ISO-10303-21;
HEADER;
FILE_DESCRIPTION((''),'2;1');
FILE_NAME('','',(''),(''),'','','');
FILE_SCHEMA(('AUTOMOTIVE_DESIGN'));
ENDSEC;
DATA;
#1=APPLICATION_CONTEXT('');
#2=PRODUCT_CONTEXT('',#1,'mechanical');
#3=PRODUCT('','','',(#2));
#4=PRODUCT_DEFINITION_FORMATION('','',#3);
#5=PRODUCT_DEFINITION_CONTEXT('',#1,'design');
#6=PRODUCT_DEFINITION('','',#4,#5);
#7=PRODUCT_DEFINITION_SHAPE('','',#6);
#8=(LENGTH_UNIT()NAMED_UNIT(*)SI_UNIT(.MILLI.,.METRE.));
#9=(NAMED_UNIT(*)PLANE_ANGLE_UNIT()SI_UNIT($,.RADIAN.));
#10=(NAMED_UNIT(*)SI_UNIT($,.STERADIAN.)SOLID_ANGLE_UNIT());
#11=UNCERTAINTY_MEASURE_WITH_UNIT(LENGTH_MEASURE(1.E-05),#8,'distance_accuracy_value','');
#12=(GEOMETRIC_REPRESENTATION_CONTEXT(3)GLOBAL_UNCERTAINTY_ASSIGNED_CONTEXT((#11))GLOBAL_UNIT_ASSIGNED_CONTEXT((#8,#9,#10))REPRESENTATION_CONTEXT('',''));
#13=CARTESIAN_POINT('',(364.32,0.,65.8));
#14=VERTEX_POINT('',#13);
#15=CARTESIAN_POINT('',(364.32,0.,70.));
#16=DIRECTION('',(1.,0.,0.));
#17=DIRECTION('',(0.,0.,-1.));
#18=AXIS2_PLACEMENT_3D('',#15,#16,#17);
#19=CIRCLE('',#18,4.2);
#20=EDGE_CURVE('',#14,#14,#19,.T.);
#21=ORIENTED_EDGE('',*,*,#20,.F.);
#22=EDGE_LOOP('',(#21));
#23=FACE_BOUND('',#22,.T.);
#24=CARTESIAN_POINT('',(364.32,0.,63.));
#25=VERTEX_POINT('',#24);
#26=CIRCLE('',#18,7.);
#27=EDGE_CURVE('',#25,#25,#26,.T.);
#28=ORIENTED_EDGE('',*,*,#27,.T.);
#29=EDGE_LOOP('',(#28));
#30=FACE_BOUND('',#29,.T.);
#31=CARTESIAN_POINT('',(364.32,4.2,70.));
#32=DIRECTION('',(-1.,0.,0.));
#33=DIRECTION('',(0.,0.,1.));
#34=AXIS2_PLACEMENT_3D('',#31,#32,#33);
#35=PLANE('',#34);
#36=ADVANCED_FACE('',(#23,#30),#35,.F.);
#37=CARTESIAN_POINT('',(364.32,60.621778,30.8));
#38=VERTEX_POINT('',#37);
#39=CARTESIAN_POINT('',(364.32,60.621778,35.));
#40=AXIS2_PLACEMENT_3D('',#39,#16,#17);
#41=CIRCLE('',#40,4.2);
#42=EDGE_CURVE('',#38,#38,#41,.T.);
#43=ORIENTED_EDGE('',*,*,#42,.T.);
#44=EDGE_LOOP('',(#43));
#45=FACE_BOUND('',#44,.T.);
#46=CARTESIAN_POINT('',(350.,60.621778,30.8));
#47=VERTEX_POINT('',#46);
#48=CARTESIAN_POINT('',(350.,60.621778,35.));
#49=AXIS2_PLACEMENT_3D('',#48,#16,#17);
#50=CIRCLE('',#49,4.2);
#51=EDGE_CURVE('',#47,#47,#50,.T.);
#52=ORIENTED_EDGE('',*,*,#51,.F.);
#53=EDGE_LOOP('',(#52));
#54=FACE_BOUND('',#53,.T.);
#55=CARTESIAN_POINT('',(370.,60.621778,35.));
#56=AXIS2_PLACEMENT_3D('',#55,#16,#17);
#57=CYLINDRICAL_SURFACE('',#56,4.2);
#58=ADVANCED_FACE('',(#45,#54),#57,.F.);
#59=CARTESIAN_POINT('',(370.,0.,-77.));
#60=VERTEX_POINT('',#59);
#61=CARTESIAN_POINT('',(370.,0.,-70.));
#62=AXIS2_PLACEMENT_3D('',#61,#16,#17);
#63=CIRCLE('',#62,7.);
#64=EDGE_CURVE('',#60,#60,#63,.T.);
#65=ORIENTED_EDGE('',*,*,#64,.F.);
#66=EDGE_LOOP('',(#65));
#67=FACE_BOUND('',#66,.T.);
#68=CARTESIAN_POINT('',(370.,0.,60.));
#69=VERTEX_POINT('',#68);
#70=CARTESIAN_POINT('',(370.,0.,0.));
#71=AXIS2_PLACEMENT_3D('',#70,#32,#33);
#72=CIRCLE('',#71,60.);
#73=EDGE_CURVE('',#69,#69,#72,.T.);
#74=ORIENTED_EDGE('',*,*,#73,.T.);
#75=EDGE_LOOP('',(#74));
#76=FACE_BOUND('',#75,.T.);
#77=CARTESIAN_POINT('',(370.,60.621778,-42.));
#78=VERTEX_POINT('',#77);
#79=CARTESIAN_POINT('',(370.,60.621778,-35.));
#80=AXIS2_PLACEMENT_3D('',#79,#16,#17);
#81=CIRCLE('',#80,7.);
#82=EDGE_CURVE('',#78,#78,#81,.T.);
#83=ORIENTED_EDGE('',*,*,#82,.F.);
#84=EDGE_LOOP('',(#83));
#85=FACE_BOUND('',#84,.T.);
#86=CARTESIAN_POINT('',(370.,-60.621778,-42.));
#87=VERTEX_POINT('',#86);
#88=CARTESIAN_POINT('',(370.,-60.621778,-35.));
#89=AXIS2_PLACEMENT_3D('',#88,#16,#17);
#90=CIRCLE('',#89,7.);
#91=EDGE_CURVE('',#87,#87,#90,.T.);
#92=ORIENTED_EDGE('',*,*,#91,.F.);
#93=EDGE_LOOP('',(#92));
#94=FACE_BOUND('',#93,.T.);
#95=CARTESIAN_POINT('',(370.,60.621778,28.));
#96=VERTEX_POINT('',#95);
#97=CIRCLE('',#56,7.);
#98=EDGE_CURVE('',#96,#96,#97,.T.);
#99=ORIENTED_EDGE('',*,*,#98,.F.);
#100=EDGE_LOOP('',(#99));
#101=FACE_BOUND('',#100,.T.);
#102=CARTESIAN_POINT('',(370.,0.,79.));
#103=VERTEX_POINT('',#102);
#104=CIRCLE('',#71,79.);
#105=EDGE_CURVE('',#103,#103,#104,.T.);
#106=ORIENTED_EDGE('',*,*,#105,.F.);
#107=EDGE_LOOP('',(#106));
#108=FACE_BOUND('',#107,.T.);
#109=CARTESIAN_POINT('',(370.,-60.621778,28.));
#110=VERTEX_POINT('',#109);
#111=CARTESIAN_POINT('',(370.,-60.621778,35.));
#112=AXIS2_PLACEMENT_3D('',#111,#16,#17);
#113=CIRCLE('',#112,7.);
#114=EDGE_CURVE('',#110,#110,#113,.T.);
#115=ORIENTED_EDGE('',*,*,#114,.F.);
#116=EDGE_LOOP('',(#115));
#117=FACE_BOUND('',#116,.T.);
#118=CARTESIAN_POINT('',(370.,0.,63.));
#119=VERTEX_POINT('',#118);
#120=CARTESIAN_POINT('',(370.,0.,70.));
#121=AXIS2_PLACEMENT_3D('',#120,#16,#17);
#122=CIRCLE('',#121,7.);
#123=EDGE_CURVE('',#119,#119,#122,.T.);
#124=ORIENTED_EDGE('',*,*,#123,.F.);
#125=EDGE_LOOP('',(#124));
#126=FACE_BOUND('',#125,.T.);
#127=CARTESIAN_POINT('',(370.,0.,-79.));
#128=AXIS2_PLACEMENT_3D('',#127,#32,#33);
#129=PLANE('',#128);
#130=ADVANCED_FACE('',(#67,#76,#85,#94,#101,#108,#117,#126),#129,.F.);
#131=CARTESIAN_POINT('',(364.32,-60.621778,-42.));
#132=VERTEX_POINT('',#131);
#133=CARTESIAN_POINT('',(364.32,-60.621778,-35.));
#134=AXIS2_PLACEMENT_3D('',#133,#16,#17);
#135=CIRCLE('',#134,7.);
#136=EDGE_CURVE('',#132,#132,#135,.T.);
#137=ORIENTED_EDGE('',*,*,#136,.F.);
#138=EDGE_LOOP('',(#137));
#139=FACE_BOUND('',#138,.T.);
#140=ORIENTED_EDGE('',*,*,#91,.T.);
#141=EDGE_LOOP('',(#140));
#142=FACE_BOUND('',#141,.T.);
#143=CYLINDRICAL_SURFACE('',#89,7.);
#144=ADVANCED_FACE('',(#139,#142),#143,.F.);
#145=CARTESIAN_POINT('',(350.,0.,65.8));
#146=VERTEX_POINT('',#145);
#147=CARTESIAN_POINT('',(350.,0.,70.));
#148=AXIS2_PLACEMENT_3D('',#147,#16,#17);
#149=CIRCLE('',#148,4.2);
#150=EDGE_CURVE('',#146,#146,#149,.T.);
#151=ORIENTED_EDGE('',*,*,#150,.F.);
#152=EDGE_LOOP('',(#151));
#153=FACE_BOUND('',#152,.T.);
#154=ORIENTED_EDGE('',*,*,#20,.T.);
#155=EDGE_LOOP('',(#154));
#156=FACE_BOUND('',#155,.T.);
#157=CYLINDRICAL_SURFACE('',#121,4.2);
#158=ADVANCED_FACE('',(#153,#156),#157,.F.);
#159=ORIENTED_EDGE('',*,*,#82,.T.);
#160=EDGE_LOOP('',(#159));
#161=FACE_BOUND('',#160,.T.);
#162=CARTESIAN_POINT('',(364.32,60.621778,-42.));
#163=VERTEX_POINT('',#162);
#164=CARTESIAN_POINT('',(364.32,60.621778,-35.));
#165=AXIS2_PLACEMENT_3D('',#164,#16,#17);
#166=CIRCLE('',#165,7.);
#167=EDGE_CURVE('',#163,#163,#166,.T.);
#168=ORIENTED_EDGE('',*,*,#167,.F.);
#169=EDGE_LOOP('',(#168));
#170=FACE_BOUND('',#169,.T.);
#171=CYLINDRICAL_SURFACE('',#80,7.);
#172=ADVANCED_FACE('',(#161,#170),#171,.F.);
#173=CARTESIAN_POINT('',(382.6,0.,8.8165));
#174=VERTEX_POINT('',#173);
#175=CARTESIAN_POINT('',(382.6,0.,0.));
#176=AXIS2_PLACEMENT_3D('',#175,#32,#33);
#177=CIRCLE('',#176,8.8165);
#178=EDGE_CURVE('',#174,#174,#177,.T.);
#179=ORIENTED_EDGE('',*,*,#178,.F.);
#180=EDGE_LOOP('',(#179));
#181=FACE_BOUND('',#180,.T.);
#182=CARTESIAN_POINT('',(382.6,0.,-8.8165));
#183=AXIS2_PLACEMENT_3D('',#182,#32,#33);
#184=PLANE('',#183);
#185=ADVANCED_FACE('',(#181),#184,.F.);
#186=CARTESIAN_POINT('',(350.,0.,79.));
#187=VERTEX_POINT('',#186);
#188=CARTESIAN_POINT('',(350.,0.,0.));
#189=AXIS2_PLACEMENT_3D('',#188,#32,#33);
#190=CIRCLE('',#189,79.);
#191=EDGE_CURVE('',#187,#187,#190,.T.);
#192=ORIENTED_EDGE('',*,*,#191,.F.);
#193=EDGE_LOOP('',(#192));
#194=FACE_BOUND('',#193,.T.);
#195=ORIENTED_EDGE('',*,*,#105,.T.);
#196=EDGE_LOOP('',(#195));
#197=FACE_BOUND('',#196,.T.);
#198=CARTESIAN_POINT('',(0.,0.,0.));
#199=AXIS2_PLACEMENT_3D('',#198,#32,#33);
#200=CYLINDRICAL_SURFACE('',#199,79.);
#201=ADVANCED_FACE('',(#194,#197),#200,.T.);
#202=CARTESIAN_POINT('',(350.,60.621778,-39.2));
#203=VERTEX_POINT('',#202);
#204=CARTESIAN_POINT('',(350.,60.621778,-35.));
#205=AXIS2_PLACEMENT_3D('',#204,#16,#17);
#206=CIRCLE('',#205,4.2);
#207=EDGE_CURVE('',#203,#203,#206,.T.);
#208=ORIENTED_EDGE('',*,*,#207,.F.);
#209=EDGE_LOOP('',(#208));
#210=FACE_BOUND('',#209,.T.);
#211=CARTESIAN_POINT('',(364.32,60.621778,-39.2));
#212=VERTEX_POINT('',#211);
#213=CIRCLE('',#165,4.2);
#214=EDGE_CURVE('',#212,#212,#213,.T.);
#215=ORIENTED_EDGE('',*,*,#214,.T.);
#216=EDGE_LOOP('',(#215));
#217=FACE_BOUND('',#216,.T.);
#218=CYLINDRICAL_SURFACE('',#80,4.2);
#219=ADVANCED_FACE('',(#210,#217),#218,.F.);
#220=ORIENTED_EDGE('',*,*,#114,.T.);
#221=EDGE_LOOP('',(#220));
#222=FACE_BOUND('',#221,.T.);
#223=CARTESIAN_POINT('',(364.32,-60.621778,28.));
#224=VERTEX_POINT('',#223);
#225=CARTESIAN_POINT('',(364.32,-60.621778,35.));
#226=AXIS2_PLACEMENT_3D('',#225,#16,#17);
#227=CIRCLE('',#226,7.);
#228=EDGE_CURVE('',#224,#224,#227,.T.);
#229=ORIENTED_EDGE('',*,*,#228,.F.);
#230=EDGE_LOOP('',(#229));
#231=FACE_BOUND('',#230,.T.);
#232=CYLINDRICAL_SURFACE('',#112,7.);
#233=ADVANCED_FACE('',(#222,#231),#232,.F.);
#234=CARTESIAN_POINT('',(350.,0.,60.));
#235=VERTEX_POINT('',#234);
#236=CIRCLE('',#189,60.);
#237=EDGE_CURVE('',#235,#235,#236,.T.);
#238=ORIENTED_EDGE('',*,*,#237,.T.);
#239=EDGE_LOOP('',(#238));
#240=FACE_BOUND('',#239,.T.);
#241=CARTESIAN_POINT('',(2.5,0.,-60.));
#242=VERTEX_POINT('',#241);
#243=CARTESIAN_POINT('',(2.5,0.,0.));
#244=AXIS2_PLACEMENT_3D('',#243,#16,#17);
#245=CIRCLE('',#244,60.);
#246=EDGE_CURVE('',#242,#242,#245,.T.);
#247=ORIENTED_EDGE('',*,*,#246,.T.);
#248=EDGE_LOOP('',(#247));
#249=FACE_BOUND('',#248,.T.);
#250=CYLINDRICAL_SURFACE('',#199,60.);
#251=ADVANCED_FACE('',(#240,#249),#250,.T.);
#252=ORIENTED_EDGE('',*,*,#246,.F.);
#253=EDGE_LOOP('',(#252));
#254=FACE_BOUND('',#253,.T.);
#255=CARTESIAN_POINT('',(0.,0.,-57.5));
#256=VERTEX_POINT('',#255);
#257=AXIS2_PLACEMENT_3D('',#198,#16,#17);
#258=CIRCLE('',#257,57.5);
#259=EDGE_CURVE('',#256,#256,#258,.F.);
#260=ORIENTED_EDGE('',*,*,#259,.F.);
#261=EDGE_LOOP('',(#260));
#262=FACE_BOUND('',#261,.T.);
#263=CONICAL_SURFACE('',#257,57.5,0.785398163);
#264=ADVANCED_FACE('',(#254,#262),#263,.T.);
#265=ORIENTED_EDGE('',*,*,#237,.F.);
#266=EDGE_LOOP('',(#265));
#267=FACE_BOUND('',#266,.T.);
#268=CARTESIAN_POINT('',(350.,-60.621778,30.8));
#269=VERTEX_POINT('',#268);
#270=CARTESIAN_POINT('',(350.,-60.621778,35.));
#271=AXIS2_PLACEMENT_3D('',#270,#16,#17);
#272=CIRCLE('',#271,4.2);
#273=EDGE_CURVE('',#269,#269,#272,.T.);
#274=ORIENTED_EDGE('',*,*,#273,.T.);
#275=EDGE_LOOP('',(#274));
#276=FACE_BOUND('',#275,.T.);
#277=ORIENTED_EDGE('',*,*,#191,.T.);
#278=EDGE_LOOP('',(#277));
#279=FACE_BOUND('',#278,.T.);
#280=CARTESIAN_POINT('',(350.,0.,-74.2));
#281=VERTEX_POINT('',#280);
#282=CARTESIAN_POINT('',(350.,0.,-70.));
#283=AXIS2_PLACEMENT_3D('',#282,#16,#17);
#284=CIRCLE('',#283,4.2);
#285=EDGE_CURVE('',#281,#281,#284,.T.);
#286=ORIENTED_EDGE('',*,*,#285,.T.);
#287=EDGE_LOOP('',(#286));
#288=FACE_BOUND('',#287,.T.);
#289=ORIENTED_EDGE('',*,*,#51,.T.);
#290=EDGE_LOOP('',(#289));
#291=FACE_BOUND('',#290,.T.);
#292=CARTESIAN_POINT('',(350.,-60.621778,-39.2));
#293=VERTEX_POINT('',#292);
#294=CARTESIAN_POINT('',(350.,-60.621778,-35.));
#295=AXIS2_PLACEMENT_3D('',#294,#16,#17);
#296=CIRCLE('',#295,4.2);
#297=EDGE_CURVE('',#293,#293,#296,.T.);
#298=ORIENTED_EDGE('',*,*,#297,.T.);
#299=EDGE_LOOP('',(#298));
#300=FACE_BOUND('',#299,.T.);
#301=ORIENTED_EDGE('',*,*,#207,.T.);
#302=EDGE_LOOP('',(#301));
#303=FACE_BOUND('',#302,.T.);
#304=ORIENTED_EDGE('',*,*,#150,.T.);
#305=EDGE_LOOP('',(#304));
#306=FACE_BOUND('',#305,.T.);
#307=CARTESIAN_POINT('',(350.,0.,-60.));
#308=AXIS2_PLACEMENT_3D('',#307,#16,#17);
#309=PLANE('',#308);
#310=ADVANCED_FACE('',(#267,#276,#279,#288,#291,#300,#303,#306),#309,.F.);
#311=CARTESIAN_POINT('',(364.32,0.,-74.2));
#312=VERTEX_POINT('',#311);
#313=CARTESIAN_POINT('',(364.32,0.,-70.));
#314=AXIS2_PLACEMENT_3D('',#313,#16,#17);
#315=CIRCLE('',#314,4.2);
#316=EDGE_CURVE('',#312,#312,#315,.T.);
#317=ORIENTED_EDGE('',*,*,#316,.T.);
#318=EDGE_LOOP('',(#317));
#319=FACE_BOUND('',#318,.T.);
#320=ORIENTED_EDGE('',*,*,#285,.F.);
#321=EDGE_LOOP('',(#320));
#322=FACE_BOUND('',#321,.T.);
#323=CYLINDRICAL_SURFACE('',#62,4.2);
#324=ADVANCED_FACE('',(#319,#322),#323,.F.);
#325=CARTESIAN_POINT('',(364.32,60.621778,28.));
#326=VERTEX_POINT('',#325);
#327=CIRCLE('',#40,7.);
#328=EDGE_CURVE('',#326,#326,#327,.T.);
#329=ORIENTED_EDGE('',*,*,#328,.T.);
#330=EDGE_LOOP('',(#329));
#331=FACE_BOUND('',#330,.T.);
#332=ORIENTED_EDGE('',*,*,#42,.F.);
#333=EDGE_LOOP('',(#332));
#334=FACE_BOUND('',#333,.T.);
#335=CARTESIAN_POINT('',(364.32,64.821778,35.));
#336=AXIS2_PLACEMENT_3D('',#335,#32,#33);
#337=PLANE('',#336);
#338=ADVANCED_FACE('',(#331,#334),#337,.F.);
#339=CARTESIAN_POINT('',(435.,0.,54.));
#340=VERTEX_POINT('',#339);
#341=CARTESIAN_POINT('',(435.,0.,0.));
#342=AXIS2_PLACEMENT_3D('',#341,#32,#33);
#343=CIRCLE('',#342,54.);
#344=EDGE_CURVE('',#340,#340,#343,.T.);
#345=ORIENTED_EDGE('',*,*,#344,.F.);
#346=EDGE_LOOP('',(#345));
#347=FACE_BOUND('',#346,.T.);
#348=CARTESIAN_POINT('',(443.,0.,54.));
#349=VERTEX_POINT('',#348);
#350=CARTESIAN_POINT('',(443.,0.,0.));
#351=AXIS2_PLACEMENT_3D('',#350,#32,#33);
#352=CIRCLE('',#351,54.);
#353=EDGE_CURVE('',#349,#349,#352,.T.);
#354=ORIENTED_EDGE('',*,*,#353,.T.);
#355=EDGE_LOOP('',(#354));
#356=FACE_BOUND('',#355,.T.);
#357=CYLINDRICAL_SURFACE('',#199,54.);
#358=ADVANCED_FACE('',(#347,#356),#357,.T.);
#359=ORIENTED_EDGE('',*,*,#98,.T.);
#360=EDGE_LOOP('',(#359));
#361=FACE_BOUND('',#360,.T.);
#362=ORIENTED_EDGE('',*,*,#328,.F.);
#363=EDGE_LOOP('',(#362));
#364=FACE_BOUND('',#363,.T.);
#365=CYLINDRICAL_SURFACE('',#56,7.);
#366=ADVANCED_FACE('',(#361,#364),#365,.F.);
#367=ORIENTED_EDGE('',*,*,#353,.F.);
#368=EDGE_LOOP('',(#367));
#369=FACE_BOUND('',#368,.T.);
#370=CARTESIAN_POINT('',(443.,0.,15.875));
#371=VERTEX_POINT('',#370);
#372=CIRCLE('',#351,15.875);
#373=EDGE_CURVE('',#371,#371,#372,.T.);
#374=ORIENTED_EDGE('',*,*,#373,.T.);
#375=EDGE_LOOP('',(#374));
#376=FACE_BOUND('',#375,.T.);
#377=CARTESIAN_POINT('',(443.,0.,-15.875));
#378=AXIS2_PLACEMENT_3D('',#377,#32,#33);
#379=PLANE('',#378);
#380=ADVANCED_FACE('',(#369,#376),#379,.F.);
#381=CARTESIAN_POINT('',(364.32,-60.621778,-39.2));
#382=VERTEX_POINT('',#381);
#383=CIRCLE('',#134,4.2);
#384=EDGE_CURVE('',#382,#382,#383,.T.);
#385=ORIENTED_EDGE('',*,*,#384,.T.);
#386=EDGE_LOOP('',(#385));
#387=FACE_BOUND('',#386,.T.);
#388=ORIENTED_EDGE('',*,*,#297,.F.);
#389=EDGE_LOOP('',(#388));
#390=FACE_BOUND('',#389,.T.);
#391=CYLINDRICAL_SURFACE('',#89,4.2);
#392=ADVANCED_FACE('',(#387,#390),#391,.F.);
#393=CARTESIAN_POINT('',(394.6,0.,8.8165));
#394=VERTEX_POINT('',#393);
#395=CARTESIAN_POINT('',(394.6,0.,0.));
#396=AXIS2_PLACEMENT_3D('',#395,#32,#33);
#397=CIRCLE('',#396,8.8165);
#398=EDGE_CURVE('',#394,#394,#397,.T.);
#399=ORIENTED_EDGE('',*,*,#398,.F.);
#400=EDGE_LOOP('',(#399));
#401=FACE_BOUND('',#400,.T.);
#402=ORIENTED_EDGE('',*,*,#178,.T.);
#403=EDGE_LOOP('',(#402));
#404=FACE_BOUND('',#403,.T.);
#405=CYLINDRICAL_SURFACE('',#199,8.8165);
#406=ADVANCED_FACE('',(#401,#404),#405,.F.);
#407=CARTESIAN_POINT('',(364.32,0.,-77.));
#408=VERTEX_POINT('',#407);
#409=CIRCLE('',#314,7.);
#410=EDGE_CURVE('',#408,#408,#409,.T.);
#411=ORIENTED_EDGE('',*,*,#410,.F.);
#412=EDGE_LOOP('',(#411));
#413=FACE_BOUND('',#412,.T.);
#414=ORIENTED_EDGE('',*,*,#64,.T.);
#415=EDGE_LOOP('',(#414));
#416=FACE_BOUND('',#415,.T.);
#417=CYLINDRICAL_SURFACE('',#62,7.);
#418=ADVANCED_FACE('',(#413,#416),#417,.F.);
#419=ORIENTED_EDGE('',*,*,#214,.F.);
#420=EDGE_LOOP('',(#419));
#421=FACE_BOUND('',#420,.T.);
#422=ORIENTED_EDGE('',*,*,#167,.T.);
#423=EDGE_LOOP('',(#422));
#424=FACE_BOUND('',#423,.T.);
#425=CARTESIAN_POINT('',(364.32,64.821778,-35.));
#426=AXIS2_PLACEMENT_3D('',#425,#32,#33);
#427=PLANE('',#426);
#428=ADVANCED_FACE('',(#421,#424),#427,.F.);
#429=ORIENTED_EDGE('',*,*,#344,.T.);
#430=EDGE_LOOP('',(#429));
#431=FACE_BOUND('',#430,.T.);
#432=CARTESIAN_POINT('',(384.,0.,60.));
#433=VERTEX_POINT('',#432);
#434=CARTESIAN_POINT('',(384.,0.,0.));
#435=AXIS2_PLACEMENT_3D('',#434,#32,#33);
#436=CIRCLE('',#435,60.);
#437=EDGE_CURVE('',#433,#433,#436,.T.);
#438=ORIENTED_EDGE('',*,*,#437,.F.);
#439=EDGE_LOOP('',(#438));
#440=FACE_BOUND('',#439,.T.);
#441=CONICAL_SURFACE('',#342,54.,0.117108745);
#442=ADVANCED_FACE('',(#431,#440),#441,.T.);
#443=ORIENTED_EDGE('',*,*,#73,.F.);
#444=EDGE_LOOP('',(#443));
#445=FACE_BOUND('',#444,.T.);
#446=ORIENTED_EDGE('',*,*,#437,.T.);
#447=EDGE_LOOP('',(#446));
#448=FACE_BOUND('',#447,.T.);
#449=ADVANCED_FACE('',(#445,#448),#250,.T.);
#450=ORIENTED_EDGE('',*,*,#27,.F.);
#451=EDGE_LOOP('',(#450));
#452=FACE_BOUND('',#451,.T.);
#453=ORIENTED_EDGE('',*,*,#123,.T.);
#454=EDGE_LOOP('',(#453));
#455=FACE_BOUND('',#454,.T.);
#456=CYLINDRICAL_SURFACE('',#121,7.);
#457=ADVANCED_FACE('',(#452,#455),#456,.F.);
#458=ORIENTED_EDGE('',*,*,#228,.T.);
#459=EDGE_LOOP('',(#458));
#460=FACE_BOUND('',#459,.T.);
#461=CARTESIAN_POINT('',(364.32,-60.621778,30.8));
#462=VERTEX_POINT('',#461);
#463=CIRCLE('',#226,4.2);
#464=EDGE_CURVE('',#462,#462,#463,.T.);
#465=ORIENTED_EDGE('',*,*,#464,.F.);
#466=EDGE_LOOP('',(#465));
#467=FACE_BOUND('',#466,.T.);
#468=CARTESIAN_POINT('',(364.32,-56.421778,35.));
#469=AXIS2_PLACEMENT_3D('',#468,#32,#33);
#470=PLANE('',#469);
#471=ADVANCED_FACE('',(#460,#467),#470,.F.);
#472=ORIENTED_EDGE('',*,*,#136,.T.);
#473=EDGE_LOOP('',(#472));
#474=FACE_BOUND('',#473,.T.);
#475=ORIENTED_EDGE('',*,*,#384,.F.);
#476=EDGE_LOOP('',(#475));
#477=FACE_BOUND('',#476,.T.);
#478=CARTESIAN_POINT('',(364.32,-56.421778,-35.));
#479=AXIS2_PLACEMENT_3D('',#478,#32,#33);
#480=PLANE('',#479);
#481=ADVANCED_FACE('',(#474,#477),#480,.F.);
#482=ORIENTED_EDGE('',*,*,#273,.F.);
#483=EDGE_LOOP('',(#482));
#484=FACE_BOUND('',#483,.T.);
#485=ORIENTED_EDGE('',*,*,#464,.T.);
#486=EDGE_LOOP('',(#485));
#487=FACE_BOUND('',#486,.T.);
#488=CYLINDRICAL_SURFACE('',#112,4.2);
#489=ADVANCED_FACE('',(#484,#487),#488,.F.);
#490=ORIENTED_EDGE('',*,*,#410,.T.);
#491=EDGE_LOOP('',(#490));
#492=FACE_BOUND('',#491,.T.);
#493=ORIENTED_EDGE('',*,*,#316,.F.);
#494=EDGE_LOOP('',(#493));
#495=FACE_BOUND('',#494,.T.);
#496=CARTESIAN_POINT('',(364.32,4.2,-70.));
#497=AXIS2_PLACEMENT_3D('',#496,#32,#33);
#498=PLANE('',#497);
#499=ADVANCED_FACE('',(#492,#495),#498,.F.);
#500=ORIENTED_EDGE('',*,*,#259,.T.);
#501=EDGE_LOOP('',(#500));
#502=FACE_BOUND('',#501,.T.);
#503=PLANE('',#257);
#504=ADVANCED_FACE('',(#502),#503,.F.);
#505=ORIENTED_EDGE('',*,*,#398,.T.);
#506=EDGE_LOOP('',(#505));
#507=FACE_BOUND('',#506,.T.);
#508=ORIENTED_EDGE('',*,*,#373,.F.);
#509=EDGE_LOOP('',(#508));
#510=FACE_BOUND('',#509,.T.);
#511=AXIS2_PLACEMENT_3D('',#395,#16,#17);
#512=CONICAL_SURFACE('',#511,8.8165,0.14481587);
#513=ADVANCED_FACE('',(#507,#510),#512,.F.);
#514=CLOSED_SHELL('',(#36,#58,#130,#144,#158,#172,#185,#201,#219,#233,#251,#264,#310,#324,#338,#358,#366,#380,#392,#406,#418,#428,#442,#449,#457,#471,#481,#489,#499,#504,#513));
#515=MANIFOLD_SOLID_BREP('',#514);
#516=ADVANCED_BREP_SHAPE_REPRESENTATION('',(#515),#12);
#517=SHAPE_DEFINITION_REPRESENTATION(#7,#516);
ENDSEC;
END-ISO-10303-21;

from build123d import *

# Parameters (mm, degrees)
CHAMFER1_SIZE                           = 2.5
CBORE_FOR_M8_HEX_HEAD_BOLT2_D           = 8.4
CBORE_FOR_M8_HEX_HEAD_BOLT2_CBORE_D     = 14
CBORE_FOR_M8_HEX_HEAD_BOLT2_CBORE_DEPTH = 5.68


with BuildPart() as part:
    # Sketch1 → Revolve1 (revolve)
    with BuildSketch(Plane(origin=(0, 0, 0), x_dir=(1, 0, 0), z_dir=(0, 1, 0)), mode=Mode.PRIVATE) as revolve1_sk:
        Polygon((0, 0), (0, 60), (350, 60), (350, 79), (370, 79), (370, 60), (384, 60), (435, 54), (443, 54), (443, 15.875), (394.6, 8.8165), (382.6, 8.8165), (382.6, 0), align=None)
    revolve(revolve1_sk.sketch.rotate(Axis((0, 0, 0), (1, 0, 0)), 180), axis=Axis((0, 0, 0), (1, 0, 0)))

    # Chamfer1
    chamfer1_edges = [part.edges().sort_by_distance(p)[0] for p in [
        (0, 0, -60),
    ]]
    chamfer(chamfer1_edges, length=CHAMFER1_SIZE)

    # CBORE for M8 Hex Head Bolt2 (through all)
    with Locations(Plane(origin=(370, 0, 0), x_dir=(0, 0, -1), z_dir=(1, 0, 0))):
        with Locations((-70, 0), (-35, 60.621778265), (35, 60.621778265), (70, 0), (35, -60.621778265), (-35, -60.621778265)):
            CounterBoreHole(CBORE_FOR_M8_HEX_HEAD_BOLT2_D / 2, CBORE_FOR_M8_HEX_HEAD_BOLT2_CBORE_D / 2, CBORE_FOR_M8_HEX_HEAD_BOLT2_CBORE_DEPTH)


solid = part.part
